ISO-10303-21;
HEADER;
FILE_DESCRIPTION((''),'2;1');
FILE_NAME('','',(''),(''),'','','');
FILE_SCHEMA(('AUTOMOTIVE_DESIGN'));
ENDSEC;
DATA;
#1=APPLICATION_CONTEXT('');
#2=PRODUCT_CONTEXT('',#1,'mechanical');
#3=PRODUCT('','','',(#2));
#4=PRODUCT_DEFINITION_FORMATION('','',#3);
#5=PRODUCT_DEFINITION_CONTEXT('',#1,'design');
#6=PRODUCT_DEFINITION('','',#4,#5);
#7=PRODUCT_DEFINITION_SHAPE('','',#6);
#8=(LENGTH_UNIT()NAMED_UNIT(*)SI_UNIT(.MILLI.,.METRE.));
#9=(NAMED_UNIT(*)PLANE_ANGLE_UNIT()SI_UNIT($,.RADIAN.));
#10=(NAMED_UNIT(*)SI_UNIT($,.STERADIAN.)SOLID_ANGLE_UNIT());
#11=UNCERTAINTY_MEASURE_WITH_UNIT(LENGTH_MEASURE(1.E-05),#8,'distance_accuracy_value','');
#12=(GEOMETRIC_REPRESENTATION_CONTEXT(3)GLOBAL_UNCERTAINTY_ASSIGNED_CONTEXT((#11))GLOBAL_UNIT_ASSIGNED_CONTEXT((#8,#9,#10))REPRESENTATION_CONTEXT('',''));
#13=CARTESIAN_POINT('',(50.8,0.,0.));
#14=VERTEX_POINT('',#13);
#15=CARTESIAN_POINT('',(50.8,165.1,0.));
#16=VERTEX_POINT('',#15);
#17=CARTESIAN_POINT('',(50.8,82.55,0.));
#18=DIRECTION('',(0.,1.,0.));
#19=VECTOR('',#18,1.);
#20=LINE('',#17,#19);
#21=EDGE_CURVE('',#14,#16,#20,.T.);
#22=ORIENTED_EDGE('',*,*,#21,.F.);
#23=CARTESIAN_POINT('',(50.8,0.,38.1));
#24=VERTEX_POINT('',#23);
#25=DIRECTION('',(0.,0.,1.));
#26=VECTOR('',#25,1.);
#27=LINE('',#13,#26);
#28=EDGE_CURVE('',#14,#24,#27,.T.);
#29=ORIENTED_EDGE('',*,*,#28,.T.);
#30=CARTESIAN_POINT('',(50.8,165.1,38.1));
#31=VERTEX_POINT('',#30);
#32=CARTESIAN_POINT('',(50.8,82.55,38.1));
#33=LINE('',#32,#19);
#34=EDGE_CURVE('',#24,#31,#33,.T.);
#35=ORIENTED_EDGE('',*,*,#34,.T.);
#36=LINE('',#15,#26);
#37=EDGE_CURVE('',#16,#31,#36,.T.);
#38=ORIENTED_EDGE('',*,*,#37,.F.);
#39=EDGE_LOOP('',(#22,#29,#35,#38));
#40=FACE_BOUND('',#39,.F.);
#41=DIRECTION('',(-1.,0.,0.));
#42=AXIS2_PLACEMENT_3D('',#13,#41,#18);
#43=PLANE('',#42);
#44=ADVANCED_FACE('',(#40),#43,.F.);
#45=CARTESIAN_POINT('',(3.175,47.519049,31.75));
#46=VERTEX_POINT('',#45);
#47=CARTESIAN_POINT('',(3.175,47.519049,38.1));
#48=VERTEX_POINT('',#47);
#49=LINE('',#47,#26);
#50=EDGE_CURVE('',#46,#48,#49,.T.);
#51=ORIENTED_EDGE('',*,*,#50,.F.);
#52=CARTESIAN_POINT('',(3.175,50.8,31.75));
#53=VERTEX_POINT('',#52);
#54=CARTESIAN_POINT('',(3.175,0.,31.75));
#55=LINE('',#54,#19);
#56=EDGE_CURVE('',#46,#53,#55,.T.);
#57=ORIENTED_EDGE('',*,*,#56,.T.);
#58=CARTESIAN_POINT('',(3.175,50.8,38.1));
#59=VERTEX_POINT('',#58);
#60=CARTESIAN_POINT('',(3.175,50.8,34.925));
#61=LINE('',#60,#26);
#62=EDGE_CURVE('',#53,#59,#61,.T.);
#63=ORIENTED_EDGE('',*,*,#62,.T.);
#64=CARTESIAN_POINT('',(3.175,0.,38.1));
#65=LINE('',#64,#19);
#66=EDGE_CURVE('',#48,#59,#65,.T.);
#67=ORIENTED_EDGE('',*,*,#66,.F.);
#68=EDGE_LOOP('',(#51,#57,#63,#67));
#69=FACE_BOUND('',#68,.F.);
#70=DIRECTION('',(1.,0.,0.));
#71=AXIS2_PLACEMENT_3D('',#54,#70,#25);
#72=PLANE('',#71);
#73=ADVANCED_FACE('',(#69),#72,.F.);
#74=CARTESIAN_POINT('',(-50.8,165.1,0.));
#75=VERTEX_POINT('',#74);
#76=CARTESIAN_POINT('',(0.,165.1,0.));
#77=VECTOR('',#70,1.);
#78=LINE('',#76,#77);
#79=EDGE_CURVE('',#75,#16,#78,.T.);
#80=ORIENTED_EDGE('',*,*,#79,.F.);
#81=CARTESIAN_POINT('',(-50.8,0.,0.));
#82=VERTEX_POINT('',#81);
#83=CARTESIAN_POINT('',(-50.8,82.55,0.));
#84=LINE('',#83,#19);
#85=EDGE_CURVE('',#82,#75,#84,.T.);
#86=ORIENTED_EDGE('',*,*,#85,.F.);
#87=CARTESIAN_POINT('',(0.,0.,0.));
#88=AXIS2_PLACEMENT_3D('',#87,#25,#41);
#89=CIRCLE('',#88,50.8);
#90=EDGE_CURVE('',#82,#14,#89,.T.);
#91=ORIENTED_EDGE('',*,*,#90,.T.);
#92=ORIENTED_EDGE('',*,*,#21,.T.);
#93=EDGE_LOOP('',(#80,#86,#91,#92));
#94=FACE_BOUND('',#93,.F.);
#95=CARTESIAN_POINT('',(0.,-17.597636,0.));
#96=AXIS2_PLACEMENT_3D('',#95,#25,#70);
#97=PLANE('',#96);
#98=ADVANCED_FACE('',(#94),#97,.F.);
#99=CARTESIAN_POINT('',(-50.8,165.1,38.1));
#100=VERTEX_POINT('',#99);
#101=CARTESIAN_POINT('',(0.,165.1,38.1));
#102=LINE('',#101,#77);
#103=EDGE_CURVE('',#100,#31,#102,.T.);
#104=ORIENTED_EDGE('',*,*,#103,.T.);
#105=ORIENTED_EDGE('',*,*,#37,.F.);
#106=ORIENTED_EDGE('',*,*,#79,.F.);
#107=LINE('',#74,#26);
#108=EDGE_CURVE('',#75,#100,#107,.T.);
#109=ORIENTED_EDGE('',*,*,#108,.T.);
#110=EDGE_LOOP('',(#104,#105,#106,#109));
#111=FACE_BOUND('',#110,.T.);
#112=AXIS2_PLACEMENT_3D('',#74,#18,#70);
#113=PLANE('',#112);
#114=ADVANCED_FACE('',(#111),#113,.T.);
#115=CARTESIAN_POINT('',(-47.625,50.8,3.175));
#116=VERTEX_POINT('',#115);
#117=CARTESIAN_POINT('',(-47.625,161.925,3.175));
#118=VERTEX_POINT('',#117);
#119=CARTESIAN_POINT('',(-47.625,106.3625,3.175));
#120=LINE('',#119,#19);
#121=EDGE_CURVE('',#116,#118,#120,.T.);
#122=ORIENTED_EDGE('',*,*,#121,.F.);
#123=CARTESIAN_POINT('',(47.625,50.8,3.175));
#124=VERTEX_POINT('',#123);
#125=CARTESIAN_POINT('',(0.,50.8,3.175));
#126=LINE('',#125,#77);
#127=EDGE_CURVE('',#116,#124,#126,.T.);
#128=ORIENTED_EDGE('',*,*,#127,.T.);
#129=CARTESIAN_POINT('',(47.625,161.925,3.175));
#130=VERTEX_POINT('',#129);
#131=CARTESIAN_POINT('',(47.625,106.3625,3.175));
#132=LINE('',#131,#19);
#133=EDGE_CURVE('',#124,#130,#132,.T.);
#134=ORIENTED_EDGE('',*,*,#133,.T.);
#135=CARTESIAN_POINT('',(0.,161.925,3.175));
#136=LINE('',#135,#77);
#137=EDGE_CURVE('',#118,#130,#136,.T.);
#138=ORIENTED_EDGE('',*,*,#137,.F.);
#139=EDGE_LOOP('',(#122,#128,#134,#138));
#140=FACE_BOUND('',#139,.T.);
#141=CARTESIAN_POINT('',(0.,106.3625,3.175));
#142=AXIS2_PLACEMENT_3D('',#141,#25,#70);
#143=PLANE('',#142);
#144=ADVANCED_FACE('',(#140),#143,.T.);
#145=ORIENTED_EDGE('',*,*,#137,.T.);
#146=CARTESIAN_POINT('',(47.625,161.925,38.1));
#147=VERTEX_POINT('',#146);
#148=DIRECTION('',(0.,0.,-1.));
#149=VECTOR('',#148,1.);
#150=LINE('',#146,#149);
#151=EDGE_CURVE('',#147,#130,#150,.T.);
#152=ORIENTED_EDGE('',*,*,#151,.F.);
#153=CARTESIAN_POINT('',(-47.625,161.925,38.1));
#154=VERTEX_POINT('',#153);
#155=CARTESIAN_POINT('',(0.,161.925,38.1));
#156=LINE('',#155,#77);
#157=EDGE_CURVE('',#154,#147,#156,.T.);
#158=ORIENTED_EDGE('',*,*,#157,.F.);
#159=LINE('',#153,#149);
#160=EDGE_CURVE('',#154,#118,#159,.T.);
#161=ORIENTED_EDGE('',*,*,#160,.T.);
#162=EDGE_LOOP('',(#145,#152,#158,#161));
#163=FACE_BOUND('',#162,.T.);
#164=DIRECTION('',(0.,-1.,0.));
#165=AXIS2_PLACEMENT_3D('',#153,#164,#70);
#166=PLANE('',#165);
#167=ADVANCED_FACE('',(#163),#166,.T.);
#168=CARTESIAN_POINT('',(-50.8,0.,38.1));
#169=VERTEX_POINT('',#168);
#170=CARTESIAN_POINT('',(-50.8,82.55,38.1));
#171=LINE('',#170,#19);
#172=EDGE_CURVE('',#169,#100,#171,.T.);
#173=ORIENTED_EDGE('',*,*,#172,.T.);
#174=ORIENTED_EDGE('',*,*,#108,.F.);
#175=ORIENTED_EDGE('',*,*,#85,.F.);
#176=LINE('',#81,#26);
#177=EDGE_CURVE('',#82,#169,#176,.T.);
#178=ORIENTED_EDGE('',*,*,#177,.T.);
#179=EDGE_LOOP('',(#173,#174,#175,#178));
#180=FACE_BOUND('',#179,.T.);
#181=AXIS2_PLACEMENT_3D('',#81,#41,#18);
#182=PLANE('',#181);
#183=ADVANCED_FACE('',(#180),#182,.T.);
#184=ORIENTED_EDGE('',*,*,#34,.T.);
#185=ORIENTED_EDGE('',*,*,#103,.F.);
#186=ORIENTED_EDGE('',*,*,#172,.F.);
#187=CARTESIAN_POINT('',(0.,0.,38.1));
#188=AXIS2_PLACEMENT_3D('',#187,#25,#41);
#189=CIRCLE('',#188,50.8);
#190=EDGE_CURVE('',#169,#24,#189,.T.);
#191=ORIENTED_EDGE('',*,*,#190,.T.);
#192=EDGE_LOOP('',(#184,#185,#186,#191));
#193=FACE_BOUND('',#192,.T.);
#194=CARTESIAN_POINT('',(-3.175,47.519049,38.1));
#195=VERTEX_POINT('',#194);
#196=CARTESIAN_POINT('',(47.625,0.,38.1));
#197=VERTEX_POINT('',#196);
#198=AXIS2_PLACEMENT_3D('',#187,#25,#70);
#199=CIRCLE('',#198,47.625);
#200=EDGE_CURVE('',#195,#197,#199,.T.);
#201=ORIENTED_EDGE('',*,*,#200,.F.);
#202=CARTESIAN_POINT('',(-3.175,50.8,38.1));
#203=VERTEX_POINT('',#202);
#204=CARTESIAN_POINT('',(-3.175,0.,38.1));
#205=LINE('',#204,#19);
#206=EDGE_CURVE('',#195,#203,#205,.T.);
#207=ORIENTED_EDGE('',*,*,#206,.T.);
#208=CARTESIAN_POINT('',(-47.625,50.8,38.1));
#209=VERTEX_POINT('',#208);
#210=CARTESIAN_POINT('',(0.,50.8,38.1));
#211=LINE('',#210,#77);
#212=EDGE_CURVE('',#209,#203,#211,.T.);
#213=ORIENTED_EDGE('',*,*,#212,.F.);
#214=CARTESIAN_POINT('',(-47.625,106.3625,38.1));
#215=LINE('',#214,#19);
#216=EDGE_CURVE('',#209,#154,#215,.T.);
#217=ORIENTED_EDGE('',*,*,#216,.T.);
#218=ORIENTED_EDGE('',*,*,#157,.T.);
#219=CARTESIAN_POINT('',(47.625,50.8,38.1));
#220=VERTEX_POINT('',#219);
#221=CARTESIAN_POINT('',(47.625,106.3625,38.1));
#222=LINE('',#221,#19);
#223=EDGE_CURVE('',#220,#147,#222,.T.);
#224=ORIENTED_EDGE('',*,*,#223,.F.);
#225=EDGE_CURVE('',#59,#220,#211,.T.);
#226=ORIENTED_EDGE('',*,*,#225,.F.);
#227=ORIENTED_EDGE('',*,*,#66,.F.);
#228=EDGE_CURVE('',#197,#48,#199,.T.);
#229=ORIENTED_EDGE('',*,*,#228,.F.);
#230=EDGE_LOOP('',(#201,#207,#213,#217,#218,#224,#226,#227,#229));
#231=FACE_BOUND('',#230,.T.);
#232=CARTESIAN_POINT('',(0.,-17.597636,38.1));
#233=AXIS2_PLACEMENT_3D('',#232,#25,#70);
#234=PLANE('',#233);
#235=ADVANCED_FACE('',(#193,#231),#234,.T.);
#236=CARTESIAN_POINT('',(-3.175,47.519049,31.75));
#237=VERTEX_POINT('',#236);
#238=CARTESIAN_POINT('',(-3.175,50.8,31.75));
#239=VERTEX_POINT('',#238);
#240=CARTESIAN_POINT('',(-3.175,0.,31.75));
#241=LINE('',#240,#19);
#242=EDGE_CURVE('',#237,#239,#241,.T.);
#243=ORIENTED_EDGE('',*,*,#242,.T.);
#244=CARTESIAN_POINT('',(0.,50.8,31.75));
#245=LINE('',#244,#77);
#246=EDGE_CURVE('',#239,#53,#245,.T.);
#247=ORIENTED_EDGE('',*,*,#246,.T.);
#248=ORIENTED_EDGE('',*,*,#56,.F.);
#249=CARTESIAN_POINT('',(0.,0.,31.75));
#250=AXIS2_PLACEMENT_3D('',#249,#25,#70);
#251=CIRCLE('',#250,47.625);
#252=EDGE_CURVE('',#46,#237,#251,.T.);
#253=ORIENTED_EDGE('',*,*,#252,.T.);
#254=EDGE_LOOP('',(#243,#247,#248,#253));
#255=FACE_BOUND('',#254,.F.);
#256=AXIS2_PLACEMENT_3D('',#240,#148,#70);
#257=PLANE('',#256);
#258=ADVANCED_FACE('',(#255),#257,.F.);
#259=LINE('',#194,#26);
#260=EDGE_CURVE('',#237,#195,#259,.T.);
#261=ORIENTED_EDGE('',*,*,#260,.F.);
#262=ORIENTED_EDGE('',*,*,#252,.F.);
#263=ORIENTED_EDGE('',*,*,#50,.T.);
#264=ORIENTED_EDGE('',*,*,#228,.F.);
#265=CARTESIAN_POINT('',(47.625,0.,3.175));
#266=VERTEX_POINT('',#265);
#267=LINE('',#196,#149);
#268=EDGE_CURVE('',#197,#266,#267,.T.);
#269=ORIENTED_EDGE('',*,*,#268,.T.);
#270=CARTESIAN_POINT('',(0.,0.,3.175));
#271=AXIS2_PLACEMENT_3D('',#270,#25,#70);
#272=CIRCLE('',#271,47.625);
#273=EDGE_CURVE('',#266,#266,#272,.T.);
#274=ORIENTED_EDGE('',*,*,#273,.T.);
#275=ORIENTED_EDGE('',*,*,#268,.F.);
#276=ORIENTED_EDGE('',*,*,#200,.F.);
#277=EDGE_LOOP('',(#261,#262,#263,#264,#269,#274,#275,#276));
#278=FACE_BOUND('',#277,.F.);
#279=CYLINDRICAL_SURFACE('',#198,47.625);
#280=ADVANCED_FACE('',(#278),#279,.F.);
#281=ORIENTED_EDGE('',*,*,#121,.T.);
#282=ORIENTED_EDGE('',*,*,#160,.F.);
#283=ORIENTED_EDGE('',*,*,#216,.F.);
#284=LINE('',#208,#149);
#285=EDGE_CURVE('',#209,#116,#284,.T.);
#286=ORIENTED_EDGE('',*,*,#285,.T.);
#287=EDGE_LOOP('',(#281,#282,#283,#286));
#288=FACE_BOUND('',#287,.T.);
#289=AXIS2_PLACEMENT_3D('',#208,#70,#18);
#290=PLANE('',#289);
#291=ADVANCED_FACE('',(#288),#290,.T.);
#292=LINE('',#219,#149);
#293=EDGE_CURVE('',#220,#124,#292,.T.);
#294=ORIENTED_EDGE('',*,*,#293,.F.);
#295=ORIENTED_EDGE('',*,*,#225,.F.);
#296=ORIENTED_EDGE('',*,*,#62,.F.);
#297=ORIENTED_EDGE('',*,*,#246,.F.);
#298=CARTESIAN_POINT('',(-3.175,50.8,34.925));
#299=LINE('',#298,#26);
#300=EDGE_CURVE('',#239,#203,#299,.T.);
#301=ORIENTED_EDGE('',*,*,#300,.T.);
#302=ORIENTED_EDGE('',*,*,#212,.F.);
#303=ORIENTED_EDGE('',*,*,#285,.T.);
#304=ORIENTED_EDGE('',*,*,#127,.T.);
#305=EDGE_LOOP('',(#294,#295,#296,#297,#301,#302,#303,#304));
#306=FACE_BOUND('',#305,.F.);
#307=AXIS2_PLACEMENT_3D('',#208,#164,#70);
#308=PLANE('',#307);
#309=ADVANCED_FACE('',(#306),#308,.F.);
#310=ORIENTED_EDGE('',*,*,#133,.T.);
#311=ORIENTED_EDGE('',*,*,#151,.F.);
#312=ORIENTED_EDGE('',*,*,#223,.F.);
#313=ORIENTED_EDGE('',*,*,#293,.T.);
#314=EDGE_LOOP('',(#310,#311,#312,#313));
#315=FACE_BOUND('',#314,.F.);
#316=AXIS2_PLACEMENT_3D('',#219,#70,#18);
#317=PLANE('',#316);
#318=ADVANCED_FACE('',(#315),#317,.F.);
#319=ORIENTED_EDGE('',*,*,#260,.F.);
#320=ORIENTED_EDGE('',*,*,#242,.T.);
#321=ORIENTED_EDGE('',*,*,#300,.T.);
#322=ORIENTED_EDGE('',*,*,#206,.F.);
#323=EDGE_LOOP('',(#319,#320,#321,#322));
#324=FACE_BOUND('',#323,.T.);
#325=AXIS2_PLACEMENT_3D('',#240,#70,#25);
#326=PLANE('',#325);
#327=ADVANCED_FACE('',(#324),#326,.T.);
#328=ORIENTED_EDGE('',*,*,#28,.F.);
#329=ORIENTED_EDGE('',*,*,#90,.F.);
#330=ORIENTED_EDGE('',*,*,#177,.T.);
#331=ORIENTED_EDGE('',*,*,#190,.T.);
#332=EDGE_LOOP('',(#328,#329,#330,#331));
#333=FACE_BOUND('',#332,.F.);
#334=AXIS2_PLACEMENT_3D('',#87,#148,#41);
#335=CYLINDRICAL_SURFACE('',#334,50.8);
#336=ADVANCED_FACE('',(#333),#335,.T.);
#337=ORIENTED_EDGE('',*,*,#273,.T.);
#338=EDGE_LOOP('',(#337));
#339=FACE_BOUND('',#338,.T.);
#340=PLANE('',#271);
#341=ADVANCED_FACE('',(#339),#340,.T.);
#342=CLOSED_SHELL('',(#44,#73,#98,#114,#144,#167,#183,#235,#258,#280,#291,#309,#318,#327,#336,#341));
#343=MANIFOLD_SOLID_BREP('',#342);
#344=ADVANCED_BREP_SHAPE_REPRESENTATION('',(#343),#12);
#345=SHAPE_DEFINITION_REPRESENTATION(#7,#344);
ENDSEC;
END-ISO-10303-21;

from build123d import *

# Parameters (mm, degrees)
F0_W     = 101.6
F0_H     = 165.1
F1_DEPTH = 38.1
F2_R     = 47.625
F3_DEPTH = 34.925
F4_W     = 6.35
F4_H     = 6.35
F5_DEPTH = 50.8
F6_W     = 95.25
F6_H     = 111.125
F7_DEPTH = 34.925


with BuildPart() as f1:
    # F0 (on Top) → F1 (new body)
    with BuildSketch(Plane.XY):
        with BuildLine():
            Line((50.8, 0), (-50.8, 0))
            ThreePointArc((-50.8, 0), (0, -50.8), (50.8, 0))
        make_face()
        with Locations((0, 82.55)):
            Rectangle(F0_W, F0_H)
    extrude(amount=F1_DEPTH)

    # F2 (on face) → F3 (cut)
    with BuildSketch(Plane.XY.offset(38.1)):
        Circle(F2_R)
    extrude(amount=-F3_DEPTH, mode=Mode.SUBTRACT)

    # F4 (on Front) → F5 (cut)
    with BuildSketch(Plane.XZ):
        with Locations((0, 34.925)):
            Rectangle(F4_W, F4_H)
    extrude(amount=-F5_DEPTH, mode=Mode.SUBTRACT)

    # F6 (on face) → F7 (cut)
    with BuildSketch(Plane.XY.offset(38.1)):
        with Locations((0, 106.3625)):
            Rectangle(F6_W, F6_H)
    extrude(amount=-F7_DEPTH, mode=Mode.SUBTRACT)


solid = f1.part
